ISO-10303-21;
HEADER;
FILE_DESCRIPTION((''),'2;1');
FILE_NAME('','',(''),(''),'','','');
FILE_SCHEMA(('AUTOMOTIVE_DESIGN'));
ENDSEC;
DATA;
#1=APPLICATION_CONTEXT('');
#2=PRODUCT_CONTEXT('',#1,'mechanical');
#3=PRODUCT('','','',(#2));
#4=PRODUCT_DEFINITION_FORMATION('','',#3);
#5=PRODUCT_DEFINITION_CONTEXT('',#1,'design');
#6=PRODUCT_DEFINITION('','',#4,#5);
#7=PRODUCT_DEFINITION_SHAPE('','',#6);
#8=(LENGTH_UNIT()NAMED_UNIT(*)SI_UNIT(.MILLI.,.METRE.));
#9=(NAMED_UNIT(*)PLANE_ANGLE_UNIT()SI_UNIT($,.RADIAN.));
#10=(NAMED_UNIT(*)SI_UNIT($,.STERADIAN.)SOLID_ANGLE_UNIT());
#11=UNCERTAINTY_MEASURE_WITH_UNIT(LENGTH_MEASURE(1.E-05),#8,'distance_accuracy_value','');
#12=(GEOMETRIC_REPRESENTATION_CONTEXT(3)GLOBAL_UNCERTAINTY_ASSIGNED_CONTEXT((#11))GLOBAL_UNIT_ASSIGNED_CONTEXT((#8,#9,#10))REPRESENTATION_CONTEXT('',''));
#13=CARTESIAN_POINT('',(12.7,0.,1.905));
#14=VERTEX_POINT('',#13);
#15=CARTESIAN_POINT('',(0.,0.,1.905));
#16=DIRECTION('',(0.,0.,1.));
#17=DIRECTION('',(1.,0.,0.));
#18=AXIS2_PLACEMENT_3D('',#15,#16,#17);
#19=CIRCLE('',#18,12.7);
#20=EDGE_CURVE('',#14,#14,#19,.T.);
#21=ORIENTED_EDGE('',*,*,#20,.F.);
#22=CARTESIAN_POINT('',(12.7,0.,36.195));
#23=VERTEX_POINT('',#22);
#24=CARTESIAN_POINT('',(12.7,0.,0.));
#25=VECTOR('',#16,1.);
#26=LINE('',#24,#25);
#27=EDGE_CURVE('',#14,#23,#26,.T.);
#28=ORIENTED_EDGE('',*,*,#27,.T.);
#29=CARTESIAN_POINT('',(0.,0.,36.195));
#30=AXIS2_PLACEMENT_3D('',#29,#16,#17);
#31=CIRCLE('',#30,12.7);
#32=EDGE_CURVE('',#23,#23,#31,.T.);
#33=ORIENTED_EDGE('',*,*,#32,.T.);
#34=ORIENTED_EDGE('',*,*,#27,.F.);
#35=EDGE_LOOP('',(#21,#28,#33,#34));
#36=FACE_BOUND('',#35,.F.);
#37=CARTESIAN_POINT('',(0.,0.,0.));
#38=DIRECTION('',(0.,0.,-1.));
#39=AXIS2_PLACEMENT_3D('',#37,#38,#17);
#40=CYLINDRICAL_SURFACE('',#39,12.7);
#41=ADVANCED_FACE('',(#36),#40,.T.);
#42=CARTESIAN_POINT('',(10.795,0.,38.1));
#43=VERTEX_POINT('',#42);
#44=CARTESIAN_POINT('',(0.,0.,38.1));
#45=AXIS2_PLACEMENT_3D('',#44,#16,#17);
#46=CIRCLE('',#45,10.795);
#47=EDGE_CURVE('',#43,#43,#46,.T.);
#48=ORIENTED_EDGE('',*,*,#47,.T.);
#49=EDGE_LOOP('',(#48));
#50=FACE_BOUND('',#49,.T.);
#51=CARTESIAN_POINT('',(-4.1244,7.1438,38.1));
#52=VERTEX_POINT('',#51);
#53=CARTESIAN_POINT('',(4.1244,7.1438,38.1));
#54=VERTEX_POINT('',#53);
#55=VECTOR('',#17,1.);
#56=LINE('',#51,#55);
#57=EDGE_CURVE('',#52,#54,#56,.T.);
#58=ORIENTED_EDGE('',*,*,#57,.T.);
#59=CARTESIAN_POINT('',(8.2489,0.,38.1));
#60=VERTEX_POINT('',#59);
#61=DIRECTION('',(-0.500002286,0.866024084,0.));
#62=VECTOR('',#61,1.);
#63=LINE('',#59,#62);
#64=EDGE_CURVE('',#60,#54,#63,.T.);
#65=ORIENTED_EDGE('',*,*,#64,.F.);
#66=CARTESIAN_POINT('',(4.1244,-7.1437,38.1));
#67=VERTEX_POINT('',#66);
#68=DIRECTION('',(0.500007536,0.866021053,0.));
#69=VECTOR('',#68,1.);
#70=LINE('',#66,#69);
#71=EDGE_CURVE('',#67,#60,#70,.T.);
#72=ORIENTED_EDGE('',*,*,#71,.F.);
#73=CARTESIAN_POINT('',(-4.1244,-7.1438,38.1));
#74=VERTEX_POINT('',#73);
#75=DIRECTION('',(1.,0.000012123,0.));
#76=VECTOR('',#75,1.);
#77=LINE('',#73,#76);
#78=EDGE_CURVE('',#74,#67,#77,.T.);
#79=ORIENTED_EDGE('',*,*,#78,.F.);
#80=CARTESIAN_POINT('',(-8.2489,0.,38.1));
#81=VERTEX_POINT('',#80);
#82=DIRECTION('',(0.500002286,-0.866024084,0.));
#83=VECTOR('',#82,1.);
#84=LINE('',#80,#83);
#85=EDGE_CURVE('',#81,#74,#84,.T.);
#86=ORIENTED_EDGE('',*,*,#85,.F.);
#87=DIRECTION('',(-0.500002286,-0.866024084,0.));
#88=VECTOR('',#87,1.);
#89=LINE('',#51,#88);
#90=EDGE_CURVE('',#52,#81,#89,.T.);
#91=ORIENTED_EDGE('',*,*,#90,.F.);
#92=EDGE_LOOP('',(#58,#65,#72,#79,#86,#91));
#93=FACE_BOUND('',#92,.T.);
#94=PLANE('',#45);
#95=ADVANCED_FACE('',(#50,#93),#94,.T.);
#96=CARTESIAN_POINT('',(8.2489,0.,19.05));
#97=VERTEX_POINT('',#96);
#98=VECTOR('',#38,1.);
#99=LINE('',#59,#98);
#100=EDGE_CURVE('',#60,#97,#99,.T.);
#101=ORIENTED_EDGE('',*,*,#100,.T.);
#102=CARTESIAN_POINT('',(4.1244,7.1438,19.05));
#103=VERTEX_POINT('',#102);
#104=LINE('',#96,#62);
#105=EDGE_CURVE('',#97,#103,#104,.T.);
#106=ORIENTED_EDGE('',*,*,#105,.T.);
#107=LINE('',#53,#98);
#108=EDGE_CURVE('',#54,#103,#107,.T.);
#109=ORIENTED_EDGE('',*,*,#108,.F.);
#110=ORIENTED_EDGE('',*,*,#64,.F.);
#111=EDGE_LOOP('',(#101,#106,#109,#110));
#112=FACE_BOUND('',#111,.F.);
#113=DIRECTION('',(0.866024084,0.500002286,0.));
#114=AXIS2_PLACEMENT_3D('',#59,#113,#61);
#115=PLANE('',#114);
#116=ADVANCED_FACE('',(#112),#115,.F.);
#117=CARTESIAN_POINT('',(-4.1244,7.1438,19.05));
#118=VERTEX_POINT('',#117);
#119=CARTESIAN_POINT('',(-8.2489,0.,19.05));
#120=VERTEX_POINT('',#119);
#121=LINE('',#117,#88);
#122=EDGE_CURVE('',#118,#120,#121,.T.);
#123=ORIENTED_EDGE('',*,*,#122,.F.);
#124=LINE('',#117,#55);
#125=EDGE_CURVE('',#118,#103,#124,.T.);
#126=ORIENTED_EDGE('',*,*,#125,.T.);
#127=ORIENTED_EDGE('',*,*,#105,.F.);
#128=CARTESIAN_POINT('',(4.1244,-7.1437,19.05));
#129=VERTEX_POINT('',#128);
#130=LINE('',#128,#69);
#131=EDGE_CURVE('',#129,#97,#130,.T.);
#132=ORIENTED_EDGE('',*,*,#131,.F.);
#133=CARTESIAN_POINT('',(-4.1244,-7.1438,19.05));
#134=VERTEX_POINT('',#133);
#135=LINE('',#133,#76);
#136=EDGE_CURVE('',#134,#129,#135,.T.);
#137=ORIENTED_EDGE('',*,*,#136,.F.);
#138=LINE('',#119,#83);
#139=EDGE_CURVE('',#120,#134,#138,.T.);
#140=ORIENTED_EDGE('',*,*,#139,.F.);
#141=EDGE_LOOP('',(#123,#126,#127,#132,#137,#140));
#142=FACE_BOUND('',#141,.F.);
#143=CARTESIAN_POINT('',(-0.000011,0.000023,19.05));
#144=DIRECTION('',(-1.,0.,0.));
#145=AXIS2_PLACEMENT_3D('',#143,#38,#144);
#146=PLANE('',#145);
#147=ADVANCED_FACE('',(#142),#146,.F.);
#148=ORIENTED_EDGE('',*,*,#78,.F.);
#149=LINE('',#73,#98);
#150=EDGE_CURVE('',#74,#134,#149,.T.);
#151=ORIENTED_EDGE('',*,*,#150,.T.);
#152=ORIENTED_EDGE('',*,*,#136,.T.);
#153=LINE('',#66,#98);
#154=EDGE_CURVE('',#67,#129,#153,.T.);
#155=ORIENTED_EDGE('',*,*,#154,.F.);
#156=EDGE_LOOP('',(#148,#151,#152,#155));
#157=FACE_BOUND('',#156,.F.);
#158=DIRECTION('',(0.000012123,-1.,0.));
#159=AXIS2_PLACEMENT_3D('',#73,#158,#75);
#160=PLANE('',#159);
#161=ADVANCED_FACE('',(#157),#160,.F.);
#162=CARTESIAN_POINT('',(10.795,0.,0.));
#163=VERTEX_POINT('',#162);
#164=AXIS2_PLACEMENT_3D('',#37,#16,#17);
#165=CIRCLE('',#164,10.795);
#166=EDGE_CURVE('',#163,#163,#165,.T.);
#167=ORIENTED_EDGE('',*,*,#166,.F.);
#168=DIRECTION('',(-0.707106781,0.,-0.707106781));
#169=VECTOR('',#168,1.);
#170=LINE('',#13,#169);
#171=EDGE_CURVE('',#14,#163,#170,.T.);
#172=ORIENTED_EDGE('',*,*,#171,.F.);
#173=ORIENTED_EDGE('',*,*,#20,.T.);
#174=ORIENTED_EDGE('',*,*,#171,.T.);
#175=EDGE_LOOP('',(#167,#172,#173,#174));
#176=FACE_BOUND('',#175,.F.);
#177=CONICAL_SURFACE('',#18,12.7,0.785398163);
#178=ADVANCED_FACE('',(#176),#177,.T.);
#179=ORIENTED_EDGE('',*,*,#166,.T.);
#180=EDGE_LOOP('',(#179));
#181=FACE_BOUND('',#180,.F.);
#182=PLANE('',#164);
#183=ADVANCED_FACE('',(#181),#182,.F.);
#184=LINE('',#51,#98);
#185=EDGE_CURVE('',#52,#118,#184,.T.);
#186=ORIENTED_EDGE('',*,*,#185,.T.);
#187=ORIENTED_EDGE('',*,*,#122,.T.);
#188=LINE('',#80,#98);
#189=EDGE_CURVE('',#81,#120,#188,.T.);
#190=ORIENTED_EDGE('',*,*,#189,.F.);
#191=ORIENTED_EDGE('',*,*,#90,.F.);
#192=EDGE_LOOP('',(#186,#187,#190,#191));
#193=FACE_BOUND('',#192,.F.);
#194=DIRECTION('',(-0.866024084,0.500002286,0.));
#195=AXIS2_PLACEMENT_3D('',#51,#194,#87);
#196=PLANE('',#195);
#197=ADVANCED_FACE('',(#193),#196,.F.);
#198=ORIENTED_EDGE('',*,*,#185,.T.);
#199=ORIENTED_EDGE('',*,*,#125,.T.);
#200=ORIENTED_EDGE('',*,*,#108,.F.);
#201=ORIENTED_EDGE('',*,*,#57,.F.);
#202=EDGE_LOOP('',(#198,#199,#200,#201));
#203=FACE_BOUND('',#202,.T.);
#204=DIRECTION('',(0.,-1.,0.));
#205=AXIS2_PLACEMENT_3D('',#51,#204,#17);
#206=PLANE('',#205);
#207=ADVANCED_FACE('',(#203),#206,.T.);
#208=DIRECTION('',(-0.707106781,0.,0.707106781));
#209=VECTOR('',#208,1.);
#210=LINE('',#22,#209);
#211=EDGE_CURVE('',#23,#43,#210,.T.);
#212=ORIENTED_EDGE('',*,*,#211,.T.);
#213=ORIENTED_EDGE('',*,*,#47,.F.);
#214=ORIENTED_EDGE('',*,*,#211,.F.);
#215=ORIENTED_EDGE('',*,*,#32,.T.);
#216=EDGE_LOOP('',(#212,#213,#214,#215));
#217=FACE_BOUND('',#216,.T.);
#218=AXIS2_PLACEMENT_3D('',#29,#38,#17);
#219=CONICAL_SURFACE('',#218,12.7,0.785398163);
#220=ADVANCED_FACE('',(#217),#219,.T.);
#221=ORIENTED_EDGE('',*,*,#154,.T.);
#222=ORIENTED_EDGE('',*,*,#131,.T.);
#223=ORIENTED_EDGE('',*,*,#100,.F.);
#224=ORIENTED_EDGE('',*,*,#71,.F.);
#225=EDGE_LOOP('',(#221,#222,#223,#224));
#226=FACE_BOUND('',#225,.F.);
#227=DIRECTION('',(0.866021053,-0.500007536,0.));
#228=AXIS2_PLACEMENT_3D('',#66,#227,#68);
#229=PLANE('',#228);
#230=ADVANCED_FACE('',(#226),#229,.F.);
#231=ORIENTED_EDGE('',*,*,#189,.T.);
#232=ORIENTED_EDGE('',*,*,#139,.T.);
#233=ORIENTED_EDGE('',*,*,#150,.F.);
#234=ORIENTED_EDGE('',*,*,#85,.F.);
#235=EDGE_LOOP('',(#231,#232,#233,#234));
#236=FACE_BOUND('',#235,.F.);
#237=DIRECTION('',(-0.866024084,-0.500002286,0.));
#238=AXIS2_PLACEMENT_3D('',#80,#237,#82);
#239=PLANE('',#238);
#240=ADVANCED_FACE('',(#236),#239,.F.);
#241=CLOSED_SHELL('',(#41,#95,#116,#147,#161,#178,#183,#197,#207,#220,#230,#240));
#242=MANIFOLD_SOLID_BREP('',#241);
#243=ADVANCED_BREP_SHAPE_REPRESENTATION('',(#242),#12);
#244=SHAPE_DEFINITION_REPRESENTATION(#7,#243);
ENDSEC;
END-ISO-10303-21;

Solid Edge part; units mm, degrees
sketch "Sketch1" plane through (0, 0, 0) normal (0, 0, 1) x (1, 0, 0)
  circle A0 centre (0, 0) radius 12.7
  dimension "D1" = 25.4
extrude "Protrusion1" add sketch "Sketch1" along normal blind 38.1
chamfer "Chamfer1" distance 1.905 angle 45 2 edges at (-12.7, 0, 0) (-12.7, 0, 38.1)
sketch "Sketch2" plane through (0, 0, 38.1) normal (0, 0, 1) x (1, 0, 0)
  line L0 (-4.1244, 7.1438) -> (4.1244, 7.1438)
  line L1 (8.2489, 0) -> (4.1244, 7.1437)
  line L2 (4.1244, -7.1437) -> (8.2489, 0)
  line L3 (-4.1244, -7.1438) -> (4.1244, -7.1438)
  line L4 (-8.2489, 0) -> (-4.1244, -7.1437)
  line L5 (-4.1244, 7.1437) -> (-8.2489, 0)
  dimension "D1" = 14.2875
extrude "Cutout1" cut sketch "Sketch2" against normal blind 19.05
properties part number "24104263"
